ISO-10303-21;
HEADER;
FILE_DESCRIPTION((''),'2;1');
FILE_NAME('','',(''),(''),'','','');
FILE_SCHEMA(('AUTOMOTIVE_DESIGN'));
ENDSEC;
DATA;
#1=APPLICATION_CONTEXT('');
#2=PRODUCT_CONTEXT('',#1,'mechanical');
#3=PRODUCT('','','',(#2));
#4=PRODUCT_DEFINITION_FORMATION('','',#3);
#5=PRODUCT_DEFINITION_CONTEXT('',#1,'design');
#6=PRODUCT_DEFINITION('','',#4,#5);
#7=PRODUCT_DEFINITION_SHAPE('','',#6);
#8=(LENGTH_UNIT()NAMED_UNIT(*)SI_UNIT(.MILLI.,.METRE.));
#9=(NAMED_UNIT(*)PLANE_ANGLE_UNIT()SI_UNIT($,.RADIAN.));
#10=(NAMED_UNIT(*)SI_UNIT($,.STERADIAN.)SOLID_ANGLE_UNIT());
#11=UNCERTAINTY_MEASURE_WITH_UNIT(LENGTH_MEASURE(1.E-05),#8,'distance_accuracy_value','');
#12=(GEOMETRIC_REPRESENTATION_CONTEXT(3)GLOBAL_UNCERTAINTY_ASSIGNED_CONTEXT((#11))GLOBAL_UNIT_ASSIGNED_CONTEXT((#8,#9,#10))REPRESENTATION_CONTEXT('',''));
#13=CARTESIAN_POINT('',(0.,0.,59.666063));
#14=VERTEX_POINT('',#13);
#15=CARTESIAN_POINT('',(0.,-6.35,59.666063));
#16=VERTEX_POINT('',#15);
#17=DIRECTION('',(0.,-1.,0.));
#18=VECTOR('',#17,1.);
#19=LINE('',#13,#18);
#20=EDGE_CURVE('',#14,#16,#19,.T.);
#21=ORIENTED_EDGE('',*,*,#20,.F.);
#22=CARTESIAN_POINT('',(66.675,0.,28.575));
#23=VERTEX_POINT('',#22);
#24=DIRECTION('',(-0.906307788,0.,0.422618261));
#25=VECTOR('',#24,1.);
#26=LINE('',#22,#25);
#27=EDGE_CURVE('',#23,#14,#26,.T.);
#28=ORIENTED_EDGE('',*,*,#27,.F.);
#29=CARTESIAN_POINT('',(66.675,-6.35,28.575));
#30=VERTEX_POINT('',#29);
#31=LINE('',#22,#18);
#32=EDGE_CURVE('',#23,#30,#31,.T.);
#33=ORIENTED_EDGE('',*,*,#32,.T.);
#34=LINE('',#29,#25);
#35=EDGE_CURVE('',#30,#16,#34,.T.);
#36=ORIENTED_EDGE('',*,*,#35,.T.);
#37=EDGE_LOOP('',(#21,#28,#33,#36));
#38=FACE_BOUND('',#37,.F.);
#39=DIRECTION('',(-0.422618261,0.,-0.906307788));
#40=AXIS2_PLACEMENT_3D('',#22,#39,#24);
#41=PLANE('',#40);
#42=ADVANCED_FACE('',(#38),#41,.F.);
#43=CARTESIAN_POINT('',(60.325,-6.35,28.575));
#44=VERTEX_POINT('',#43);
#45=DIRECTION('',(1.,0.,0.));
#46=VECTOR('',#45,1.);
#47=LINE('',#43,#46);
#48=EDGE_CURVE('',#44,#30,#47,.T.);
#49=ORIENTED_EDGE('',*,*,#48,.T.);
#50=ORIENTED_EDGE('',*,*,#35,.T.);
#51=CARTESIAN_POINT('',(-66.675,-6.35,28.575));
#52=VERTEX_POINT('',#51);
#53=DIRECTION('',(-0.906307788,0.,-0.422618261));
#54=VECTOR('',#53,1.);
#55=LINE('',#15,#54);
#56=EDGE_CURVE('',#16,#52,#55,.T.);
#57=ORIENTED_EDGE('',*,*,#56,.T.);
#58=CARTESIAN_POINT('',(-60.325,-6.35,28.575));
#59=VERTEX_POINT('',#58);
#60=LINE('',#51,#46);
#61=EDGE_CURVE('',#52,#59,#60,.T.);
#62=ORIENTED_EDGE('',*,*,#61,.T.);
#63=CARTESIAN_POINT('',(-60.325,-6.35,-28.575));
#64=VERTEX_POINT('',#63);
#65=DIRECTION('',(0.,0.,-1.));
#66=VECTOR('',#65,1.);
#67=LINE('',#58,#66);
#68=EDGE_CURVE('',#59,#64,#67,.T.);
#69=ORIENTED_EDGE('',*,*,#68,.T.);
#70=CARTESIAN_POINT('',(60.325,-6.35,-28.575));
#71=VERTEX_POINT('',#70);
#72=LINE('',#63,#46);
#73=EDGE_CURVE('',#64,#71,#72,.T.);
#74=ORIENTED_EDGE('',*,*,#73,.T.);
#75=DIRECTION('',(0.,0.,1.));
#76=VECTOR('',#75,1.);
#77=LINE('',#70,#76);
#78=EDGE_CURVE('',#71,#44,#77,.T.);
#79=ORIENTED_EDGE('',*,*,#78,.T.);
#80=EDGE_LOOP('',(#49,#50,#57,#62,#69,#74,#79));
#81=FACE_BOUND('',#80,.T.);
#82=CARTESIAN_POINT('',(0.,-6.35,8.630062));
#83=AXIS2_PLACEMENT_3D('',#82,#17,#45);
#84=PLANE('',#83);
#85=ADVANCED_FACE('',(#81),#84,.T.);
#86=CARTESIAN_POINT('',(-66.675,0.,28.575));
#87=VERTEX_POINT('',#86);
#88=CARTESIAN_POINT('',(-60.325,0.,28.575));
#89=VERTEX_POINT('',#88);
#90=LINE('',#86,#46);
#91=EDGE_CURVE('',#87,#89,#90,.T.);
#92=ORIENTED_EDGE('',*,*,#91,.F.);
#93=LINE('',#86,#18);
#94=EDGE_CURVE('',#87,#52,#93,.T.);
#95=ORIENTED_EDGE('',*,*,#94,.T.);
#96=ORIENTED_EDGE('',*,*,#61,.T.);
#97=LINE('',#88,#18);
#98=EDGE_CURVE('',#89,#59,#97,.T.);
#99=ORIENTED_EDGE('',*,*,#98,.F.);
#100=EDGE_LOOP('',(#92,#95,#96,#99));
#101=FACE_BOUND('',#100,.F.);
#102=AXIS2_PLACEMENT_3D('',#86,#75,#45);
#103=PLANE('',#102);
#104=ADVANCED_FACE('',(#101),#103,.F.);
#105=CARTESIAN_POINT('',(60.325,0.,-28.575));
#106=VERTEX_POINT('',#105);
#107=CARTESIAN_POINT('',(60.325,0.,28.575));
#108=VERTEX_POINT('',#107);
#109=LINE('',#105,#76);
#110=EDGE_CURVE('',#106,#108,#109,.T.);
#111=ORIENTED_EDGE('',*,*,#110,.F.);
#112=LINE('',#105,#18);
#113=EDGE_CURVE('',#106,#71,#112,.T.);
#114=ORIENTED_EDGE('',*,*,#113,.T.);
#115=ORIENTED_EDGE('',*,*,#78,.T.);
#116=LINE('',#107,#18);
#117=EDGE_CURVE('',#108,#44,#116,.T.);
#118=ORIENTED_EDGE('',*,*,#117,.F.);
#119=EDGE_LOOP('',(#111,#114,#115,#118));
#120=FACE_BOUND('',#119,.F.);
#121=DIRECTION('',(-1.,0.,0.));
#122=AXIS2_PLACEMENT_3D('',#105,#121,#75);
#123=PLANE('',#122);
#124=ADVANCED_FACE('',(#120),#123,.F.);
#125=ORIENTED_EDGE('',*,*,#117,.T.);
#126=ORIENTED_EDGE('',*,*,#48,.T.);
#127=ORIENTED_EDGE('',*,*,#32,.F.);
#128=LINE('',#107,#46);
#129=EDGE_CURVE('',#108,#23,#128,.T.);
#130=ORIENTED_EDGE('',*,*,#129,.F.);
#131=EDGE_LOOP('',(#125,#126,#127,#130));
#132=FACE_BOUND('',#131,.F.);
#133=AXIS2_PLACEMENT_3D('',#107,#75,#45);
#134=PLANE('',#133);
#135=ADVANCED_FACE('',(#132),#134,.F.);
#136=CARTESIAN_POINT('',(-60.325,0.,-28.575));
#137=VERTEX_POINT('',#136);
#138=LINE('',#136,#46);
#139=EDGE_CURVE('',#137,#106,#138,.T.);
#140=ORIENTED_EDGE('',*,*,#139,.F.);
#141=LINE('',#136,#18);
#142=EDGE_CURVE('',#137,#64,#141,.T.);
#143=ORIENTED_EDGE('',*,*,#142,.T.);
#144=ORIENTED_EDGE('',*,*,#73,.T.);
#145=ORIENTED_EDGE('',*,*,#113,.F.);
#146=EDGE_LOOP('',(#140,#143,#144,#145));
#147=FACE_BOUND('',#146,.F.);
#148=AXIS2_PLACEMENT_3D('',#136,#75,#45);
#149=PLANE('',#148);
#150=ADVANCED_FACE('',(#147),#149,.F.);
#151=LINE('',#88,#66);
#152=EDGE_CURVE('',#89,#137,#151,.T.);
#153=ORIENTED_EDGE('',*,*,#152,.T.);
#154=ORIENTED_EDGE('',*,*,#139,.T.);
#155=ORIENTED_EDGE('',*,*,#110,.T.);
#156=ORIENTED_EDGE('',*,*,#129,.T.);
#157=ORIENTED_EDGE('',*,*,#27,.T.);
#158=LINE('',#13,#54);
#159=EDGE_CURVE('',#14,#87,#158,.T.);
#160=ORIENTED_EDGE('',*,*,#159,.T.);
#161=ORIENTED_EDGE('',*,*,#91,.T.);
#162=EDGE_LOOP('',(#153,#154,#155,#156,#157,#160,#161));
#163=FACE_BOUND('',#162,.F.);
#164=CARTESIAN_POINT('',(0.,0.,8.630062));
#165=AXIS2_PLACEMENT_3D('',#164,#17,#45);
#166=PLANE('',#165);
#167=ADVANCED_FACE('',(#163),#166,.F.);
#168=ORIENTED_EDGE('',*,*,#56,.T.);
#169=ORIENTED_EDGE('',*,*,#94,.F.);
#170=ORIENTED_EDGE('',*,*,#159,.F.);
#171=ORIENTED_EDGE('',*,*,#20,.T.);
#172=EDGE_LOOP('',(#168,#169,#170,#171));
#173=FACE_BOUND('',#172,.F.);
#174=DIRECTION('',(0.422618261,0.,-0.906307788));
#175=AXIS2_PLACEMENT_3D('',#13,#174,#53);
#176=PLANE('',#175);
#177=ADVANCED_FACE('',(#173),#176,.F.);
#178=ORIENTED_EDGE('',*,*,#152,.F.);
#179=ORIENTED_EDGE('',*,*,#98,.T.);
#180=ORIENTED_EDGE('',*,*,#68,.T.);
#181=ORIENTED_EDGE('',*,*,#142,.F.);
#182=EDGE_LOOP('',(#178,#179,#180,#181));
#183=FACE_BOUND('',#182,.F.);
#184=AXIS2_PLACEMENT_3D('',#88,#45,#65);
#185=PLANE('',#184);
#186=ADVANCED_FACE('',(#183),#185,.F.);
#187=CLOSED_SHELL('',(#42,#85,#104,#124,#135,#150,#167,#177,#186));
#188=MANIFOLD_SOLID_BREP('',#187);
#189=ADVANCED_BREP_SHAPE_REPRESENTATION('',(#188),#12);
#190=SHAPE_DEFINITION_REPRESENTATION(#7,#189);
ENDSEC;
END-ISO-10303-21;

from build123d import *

# Parameters (mm, degrees)
F1_DEPTH = 6.35


with BuildPart() as f1:
    # F0 (on Front) → F1 (new body)
    with BuildSketch(Plane.XZ):
        Polygon((-60.325, -28.575), (60.325, -28.575), (60.325, 28.575), (66.675, 28.575), (0, 59.666063), (-66.675, 28.575), (-60.325, 28.575), align=None)
    extrude(amount=F1_DEPTH)


solid = f1.part
